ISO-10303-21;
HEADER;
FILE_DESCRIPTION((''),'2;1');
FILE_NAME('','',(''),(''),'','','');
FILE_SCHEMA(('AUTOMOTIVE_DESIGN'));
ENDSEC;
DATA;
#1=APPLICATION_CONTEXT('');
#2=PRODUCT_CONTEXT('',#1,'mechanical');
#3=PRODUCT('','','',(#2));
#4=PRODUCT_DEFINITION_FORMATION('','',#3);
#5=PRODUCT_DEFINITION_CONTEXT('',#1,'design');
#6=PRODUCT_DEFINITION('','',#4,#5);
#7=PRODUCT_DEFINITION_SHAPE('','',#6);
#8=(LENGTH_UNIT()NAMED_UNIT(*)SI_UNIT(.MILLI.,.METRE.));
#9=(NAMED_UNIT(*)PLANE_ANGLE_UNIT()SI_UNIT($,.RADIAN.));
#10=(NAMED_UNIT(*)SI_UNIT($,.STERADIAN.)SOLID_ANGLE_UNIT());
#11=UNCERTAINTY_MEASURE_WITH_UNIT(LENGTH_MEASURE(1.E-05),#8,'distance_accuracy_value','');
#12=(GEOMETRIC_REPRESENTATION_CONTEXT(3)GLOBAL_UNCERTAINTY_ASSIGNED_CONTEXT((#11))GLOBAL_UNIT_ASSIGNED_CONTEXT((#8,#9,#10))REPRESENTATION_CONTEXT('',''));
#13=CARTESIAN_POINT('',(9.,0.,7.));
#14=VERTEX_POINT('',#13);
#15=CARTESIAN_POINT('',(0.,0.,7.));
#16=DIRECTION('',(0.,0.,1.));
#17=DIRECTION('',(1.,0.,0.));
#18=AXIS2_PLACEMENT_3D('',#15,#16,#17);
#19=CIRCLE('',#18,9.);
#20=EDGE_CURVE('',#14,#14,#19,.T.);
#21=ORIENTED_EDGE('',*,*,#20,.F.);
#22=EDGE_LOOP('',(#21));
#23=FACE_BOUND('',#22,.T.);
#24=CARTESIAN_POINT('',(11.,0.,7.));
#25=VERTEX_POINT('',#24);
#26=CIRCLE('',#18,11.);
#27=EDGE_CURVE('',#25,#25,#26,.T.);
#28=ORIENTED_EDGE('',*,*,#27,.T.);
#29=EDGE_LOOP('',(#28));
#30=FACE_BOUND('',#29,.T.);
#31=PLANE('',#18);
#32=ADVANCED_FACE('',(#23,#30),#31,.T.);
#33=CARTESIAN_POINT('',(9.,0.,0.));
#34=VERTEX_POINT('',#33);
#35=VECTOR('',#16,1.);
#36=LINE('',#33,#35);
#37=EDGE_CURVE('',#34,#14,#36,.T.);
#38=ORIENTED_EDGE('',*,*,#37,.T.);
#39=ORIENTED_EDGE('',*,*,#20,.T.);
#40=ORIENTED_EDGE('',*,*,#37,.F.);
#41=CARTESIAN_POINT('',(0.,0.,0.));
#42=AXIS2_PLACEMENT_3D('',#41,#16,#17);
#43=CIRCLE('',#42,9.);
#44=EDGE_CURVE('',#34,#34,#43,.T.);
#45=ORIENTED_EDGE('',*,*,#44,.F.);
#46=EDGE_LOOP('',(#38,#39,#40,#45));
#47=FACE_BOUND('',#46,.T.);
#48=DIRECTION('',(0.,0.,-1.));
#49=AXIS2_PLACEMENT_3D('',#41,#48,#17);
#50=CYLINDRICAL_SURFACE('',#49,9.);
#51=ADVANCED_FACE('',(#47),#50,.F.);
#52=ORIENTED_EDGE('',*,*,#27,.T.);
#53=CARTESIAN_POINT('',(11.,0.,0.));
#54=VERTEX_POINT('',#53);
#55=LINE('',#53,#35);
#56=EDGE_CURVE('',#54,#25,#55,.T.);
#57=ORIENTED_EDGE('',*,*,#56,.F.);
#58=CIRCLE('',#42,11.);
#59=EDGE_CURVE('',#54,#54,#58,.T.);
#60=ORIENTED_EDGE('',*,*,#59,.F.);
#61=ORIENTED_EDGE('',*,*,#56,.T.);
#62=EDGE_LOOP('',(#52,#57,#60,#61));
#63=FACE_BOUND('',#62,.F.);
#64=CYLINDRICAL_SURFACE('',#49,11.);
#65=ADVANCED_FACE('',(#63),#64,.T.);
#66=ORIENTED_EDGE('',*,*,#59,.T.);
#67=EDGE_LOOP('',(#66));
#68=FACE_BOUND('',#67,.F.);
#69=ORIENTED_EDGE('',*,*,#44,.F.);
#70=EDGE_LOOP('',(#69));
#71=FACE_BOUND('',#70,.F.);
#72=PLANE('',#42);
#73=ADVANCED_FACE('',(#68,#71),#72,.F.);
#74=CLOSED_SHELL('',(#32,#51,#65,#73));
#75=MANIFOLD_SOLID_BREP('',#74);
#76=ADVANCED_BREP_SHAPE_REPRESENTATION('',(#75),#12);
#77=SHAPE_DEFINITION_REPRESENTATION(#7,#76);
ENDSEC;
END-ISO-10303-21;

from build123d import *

# Parameters (mm, degrees)
SKETCH_R   = 11
SKETCH_R_2 = 9
PAD_DEPTH  = 7


with BuildPart() as part:
    # Sketch → Pad (new body)
    with BuildSketch(Plane.XY):
        Circle(SKETCH_R)
        Circle(SKETCH_R_2, mode=Mode.SUBTRACT)
    extrude(amount=PAD_DEPTH)


solid = part.part
